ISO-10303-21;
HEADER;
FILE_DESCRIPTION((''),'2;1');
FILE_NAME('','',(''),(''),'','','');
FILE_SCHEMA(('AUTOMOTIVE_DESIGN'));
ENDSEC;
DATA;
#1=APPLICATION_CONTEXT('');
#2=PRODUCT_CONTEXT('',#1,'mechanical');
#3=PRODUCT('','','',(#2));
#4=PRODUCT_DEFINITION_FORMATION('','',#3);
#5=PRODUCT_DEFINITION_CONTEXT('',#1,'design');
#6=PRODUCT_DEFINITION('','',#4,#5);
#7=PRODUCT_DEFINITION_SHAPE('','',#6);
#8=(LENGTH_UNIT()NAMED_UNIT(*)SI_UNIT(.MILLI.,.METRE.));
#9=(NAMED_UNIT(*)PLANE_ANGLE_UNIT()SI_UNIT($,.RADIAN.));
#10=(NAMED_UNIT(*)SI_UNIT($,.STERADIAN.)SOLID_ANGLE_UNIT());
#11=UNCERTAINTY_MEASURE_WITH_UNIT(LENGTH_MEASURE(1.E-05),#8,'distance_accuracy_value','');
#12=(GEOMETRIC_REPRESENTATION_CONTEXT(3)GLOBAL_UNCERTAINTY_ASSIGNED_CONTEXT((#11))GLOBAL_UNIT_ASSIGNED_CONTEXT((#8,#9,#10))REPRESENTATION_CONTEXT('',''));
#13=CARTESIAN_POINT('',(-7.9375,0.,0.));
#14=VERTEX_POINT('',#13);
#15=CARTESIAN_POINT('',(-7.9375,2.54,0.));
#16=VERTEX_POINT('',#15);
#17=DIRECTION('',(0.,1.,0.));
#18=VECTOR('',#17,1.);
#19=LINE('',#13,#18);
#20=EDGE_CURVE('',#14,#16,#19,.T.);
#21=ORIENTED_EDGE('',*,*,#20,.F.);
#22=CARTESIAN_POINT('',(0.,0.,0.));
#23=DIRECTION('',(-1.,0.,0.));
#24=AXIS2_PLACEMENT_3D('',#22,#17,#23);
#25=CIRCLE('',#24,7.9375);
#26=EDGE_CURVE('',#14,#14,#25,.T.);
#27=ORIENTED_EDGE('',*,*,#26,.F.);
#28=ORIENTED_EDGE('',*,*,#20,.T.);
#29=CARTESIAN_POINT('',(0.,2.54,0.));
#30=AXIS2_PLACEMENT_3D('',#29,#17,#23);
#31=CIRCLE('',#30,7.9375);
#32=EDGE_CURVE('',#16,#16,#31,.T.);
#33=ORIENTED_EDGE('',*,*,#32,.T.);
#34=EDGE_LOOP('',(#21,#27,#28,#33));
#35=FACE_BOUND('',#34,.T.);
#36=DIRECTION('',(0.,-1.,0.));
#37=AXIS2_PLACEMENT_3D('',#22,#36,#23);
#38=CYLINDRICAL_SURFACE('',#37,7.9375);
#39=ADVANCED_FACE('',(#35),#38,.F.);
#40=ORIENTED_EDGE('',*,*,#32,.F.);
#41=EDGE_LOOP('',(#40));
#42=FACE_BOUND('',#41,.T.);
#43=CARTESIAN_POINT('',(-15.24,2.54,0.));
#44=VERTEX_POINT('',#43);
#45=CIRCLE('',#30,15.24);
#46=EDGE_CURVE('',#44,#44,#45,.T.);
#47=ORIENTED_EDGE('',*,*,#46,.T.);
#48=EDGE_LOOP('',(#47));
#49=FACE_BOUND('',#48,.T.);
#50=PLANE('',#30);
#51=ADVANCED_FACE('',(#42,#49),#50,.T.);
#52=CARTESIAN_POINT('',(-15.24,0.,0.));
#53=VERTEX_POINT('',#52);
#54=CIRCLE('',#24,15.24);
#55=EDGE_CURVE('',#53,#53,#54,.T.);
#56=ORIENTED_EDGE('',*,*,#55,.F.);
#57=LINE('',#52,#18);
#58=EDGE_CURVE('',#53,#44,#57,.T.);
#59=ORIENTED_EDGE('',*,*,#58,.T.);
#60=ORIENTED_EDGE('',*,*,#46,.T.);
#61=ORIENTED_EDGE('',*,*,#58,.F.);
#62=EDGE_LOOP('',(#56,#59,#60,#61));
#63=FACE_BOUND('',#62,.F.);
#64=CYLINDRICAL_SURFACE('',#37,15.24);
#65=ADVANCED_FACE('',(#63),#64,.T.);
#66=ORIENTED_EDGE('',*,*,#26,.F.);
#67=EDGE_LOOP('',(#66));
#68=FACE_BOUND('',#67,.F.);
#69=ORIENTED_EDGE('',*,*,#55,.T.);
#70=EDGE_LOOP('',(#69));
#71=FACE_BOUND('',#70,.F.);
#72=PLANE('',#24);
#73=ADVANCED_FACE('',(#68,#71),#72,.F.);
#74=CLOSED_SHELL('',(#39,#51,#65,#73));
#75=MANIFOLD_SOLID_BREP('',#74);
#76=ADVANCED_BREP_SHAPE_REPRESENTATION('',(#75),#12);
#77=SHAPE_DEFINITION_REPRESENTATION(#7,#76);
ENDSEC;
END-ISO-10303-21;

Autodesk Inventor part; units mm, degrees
ref_plane "YZ Plane" through (0, 0, 0) normal (1, 0, 0) x (0, 1, 0)
ref_plane "XZ Plane" through (0, 0, 0) normal (0, 1, 0) x (-1, 0, 0)
ref_plane "XY Plane" through (0, 0, 0) normal (0, 0, 1) x (1, 0, 0)
sketch "Sketch1" plane through (0, 0, 0) normal (0, 1, 0) x (-1, 0, 0)
  circle A0 centre (0, 0) radius 7.9375
  circle A1 centre (0, 0) radius 15.24
  dimension "d0" = 15.875
  dimension "d1" = 30.48
extrude "Extrusion1" add sketch "Sketch1" along normal blind 2.54
properties part number "Washer"
